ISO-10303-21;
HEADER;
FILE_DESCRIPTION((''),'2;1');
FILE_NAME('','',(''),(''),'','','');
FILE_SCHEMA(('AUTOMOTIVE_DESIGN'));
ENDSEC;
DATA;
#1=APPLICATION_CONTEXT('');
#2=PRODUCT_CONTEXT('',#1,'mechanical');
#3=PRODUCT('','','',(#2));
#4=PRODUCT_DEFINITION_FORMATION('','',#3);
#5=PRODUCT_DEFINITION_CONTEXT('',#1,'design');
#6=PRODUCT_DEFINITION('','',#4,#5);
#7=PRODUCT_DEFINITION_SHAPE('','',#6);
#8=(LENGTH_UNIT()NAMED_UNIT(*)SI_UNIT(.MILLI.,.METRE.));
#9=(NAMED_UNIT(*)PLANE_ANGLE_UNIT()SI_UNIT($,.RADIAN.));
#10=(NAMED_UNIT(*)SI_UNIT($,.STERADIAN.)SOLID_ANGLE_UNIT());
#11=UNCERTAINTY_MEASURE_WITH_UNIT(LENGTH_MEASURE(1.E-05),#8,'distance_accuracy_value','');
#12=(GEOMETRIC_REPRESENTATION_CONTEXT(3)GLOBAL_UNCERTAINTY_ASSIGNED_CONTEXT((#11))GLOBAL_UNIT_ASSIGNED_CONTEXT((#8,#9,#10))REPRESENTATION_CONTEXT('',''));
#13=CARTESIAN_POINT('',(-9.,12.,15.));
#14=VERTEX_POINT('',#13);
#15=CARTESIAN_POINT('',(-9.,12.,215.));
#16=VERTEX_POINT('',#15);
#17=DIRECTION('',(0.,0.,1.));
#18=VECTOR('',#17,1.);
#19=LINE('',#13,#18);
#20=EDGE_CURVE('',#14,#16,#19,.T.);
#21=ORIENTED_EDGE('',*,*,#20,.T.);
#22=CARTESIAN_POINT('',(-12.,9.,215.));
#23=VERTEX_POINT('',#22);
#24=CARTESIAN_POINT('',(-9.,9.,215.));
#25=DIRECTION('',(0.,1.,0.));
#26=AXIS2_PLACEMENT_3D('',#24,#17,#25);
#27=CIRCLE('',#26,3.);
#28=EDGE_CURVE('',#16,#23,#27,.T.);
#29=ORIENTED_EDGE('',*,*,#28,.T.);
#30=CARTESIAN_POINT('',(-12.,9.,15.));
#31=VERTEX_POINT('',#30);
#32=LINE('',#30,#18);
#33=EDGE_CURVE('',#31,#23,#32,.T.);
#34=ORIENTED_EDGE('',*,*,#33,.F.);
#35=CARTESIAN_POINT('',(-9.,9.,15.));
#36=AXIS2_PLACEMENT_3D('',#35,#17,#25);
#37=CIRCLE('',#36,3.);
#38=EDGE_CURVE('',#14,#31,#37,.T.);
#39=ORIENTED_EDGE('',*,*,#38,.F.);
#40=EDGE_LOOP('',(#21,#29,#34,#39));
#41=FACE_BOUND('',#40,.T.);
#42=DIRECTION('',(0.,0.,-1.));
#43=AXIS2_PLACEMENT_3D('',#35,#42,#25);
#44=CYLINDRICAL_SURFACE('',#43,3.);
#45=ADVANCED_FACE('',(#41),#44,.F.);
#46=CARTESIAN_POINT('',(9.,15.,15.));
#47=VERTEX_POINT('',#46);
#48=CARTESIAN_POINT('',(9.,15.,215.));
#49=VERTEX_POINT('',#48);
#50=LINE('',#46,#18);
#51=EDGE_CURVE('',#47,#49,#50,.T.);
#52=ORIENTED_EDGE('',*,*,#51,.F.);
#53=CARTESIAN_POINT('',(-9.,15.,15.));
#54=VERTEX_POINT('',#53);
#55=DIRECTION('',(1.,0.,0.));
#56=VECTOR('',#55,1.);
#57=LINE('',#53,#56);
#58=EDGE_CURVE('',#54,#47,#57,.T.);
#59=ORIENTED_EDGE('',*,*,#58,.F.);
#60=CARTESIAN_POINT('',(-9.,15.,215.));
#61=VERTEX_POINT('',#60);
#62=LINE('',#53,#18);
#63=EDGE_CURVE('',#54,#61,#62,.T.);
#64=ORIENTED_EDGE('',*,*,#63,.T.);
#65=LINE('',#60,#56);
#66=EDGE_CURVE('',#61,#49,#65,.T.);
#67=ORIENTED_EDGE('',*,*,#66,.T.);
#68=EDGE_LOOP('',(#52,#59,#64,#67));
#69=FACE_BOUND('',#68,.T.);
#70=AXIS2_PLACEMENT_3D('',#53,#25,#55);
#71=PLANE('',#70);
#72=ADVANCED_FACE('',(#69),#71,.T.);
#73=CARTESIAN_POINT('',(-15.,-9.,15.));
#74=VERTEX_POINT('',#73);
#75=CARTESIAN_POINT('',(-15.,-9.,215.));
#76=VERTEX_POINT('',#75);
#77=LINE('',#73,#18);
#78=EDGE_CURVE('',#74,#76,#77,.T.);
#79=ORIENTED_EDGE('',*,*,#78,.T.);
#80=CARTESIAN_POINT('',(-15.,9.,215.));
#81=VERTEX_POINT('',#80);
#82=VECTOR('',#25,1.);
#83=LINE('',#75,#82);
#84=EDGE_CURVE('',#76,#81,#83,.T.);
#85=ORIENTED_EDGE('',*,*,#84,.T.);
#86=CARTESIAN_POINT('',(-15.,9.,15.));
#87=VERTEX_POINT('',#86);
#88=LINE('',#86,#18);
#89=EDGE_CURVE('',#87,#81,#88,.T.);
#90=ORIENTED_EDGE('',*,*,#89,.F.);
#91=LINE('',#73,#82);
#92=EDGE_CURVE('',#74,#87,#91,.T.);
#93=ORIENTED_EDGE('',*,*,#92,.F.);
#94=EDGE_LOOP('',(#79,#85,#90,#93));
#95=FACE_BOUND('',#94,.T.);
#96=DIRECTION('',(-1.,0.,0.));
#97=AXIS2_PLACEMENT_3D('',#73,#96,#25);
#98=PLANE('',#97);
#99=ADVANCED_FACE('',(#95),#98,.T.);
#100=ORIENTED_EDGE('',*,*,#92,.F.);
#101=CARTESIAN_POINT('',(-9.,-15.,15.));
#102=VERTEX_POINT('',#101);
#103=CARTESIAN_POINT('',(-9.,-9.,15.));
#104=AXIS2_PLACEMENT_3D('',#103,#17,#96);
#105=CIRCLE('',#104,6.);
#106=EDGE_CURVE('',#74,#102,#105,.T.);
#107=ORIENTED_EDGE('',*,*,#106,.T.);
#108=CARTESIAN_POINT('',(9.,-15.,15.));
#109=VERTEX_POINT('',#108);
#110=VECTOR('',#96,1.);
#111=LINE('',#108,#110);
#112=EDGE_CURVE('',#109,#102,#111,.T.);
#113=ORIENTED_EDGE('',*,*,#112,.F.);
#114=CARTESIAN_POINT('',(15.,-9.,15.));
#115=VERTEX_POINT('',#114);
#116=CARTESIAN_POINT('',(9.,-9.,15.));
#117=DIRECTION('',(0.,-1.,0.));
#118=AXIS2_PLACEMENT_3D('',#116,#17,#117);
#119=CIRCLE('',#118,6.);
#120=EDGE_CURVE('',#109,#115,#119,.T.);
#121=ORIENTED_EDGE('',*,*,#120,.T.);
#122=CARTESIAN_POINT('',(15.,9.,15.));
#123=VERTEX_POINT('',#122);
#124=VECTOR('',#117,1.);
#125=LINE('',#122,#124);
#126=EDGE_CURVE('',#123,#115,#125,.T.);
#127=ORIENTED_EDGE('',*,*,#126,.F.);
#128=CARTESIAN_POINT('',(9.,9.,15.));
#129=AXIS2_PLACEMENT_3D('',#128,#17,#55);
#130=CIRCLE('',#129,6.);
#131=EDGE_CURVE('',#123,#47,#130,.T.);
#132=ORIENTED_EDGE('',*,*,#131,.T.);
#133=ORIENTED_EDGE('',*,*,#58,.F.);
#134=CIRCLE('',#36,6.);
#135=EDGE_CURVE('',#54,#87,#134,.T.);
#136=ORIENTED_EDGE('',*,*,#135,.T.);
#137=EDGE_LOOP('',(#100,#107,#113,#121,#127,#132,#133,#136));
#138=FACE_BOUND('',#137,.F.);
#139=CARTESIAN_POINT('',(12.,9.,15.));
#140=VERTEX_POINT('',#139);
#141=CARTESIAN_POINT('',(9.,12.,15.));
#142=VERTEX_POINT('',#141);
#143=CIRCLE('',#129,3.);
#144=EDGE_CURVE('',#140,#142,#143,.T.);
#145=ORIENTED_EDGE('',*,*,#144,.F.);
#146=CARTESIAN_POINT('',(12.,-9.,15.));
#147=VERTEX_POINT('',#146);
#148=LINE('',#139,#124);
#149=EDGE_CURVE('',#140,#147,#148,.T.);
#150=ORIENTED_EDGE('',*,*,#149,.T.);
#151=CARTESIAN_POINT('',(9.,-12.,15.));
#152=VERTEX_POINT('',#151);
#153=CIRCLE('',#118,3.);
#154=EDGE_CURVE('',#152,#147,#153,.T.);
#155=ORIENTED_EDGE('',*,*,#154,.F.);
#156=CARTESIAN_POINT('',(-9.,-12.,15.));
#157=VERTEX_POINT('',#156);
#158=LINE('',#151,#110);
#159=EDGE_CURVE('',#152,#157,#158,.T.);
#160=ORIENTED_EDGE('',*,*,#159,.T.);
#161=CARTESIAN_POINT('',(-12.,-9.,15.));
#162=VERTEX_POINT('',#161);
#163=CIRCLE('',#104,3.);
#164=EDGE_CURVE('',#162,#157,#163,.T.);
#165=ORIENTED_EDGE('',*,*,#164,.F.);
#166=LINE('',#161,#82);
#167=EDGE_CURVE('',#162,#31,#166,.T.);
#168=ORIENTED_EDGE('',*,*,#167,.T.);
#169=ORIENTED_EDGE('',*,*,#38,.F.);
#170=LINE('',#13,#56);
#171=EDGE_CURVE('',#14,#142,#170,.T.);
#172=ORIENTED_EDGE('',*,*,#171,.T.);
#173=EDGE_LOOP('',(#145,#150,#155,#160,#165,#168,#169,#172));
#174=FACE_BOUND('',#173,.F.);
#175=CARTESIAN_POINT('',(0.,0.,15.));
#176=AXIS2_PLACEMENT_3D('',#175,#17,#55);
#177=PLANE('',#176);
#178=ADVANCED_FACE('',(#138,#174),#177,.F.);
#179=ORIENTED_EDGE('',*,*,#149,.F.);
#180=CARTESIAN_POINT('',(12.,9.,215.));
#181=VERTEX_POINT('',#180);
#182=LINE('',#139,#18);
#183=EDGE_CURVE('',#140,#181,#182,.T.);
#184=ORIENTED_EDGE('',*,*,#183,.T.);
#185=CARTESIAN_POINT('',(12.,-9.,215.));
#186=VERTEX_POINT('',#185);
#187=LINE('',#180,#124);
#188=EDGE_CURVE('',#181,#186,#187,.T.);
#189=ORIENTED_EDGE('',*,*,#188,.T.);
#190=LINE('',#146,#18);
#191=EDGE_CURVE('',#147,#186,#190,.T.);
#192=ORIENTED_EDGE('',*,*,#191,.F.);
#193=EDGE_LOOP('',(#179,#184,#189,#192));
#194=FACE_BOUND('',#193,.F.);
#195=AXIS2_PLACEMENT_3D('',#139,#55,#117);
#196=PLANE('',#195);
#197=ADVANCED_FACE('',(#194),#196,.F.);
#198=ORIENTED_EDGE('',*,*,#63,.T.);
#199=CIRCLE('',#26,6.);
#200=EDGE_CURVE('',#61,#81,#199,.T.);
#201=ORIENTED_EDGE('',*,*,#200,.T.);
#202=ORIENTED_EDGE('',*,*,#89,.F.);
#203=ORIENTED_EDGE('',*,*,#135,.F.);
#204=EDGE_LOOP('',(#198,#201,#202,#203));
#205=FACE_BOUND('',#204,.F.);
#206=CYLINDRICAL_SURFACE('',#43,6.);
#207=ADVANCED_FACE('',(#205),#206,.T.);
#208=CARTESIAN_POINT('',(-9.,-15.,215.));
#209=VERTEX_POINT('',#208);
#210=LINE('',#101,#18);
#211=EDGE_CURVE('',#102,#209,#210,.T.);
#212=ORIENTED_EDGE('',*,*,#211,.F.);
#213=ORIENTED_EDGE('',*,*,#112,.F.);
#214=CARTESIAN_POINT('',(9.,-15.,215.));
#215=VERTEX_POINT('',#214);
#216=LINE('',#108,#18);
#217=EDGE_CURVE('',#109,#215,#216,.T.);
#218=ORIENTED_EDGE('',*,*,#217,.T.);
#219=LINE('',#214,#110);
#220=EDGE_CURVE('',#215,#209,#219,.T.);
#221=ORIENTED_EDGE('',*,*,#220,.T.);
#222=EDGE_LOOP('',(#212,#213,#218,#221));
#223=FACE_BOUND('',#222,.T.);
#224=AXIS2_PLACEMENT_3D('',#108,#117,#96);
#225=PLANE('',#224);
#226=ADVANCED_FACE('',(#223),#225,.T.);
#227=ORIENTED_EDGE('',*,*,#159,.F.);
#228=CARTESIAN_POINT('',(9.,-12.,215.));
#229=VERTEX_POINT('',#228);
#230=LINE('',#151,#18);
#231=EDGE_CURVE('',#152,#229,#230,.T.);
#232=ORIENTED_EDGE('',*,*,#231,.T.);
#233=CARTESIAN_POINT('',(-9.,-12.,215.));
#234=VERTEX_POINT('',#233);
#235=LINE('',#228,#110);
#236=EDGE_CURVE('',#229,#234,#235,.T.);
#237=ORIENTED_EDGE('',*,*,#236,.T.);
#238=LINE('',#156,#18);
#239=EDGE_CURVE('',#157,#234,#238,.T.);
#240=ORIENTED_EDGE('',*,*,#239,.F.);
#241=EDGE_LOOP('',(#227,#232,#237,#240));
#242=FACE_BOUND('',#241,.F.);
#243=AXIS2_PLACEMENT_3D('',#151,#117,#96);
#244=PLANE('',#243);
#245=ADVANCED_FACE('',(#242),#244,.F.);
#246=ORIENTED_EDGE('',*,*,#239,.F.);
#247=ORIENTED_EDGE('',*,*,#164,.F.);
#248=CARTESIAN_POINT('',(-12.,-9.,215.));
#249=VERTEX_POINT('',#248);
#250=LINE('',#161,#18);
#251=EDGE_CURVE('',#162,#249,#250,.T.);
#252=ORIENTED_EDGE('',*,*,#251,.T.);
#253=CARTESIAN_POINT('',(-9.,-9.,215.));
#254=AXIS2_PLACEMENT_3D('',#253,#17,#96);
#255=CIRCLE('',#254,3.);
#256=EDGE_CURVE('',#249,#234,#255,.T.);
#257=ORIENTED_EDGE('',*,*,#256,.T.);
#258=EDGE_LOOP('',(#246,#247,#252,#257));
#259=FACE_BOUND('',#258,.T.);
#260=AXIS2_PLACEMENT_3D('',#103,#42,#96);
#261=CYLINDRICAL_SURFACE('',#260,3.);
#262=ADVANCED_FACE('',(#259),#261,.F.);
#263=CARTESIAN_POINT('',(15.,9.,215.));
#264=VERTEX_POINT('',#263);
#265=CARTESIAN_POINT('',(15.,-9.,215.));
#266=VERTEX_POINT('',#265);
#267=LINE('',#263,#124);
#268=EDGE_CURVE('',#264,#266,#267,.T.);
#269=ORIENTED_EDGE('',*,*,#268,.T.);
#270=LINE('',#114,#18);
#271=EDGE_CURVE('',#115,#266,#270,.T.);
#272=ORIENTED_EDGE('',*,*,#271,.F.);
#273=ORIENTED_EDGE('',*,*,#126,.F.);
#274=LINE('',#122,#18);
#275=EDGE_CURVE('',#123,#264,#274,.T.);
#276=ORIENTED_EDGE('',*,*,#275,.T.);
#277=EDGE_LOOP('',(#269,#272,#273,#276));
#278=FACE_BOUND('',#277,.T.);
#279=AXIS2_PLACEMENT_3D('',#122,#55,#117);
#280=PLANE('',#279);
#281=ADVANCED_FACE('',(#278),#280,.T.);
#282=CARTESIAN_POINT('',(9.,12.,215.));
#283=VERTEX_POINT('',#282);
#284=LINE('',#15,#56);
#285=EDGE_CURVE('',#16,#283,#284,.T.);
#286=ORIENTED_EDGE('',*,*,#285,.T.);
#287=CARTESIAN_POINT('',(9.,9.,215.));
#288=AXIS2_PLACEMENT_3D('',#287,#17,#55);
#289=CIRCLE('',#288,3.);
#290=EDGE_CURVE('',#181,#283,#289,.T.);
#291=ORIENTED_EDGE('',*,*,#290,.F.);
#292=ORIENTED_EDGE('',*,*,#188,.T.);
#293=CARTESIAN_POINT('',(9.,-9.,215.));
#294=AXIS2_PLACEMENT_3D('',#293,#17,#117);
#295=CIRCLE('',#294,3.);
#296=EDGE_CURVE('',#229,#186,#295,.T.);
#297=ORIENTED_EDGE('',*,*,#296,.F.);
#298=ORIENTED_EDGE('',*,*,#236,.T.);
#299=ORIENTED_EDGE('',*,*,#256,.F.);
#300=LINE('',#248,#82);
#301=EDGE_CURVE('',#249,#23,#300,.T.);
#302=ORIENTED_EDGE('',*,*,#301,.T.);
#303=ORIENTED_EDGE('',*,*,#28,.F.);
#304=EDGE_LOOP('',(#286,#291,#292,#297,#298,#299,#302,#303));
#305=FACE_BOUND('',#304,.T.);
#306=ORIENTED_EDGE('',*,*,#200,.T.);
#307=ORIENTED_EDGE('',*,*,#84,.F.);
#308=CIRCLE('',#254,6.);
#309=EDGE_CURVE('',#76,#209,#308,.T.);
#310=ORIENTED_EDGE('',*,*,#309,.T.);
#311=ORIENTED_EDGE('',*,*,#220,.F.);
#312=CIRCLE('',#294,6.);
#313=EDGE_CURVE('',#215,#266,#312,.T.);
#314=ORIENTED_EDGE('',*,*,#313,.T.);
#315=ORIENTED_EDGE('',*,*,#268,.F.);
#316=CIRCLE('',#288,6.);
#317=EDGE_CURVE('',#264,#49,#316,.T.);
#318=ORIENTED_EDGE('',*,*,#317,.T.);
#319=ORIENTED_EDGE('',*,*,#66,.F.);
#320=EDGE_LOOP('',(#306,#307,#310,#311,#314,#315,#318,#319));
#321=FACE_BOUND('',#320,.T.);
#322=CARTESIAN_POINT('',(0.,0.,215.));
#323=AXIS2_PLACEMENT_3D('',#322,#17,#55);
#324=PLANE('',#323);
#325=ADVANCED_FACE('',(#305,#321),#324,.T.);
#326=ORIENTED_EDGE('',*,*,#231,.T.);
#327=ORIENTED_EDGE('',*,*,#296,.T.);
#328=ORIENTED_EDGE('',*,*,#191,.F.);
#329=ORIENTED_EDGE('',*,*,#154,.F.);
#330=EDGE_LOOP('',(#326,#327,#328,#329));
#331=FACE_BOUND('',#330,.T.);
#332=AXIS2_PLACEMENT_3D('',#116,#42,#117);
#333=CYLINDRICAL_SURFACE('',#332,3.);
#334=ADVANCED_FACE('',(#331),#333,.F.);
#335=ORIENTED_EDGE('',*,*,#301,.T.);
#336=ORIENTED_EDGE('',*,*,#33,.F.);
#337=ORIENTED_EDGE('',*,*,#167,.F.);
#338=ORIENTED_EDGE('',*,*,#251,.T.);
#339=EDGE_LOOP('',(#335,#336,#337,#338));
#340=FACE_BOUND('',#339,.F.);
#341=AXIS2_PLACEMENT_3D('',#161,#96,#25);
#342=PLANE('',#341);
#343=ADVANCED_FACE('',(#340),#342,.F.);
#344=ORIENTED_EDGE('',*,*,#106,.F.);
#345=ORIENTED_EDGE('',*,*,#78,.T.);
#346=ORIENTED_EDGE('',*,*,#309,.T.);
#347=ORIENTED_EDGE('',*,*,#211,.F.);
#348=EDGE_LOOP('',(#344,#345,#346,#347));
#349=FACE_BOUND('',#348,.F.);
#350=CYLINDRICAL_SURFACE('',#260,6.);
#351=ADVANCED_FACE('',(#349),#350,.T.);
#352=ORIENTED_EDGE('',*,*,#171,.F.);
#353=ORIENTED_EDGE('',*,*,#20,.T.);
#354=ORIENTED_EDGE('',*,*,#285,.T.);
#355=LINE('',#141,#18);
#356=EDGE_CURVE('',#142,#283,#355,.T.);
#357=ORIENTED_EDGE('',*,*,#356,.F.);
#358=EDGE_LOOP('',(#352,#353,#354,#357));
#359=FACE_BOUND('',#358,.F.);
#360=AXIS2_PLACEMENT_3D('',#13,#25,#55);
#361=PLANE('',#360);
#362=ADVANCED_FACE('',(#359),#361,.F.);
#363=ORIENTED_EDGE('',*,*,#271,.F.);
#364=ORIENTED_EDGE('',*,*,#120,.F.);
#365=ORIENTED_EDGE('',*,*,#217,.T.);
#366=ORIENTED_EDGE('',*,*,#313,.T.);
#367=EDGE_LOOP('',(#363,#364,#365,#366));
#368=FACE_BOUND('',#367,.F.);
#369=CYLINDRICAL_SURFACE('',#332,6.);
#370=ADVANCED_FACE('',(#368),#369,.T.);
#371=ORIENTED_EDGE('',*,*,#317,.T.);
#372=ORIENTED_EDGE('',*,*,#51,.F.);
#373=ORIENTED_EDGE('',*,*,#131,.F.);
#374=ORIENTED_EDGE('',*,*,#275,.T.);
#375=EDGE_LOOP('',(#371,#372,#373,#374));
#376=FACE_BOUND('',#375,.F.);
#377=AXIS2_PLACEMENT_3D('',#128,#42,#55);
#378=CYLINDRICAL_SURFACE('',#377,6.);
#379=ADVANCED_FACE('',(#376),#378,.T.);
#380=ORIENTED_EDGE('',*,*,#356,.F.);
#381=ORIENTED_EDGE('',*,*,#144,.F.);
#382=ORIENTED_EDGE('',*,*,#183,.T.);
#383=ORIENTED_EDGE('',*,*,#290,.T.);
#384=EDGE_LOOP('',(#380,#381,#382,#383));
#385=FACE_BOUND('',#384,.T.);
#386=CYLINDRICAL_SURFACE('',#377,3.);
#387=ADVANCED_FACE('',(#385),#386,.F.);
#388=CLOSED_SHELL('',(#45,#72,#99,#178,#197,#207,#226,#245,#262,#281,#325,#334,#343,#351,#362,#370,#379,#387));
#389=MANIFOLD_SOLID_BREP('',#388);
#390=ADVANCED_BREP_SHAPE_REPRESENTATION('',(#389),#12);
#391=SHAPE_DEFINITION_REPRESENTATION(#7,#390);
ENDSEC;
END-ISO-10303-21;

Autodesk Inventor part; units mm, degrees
ref_plane "Start Plane" through (0, 0, 15) normal (0, 0, 1) x (1, 0, 0)
ref_plane "End Plane" through (0, 0, 215) normal (0, 0, 1) x (1, 0, 0)
sketch "Sketch" plane through (0, 0, 0) normal (0, 0, 1) x (1, 0, 0)
  line L0 (-15, -9) -> (-15, 9)
  line L1 (-9, 15) -> (9, 15)
  line L2 (15, 9) -> (15, -9)
  line L3 (9, -15) -> (-9, -15)
  arc A0 (-15, -9) -> (-9, -15) centre (-9, -9) ccw
  arc A1 (-9, 15) -> (-15, 9) centre (-9, 9) ccw
  arc A2 (15, 9) -> (9, 15) centre (9, 9) ccw
  arc A3 (9, -15) -> (15, -9) centre (9, -9) ccw
  arc A4 (-9, 12) -> (-12, 9) centre (-9, 9) ccw
  line L4 (-9, 12) -> (9, 12)
  arc A5 (12, 9) -> (9, 12) centre (9, 9) ccw
  line L5 (12, 9) -> (12, -9)
  arc A6 (9, -12) -> (12, -9) centre (9, -9) ccw
  line L6 (9, -12) -> (-9, -12)
  arc A7 (-12, -9) -> (-9, -12) centre (-9, -9) ccw
  line L7 (-12, -9) -> (-12, 9)
  line L8 (0, 22.7397) -> (0, -22.7397) construction
  line L9 (-22.7397, 0) -> (22.7397, 0) construction
  dimension "d7" = 6
  dimension "d10" = 30
  dimension "d11" = 30
  dimension "d12" = 3
  dimension "d15" = 15
  dimension "d16" = 15
extrude "Body" add sketch "Sketch" along normal up to surface (200 mm away) from surface at 15
sketch "Sketch3" plane through (0, 0, 0) normal (0, 0, 1) x (1, 0, 0)
  line L0 (0, 0) -> (10, 0)
ref_plane "Work Plane3" through (0, 0, 0) normal (0, -1, 0) x (1, 0, 0)
ref_plane "Work Plane4" through (-9, -1200, 215) normal (0, 0, 1) x (1, 0, 0)
split "Split1" plane through (-9, -1200, 215) removes the side toward (0, 0, 1)
ref_plane "Work Plane5" through (9, -1200, 15) normal (0, 0, -1) x (-1, 0, 0)
split "Split2" plane through (9, -1200, 15) removes the side toward (0, 0, -1)
sketch "Sketch4" plane through (0, 0, 0) normal (0, -1, 0) x (1, 0, 0)
  line L0 (-2, 15) -> (12, 15) projected
  line L1 (-2, 215) -> (12, 215) projected
  dimension "d18" = 200
equation "\"d7\" = G_IR"
equation "\"d10\" = G_H"
equation "\"d11\" = G_W"
equation "\"d12\" = G_T"
equation "\"d15\" = 0.5 * d10"
equation "\"d16\" = 0.5 * d11"
equation "\"d3\" = G_L"
equation "\"G_W\" = 30"
equation "\"G_H\" = 30"
equation "\"G_T\" = 3"
equation "\"G_IR\" = 6"
equation "\"G_L\" = d18"
equation "\"G_OFFSET_START\" = -15"
equation "\"G_OFFSET_END\" = -15"
equation "\"d13\" = -G_OFFSET_START"
equation "\"d14\" = G_OFFSET_END + B_L"
equation "\"B_L\" = 230"
properties part number "DIN EN 10219-2 - 30 x 30 x 3  - 200" material "Steel, Mild"
